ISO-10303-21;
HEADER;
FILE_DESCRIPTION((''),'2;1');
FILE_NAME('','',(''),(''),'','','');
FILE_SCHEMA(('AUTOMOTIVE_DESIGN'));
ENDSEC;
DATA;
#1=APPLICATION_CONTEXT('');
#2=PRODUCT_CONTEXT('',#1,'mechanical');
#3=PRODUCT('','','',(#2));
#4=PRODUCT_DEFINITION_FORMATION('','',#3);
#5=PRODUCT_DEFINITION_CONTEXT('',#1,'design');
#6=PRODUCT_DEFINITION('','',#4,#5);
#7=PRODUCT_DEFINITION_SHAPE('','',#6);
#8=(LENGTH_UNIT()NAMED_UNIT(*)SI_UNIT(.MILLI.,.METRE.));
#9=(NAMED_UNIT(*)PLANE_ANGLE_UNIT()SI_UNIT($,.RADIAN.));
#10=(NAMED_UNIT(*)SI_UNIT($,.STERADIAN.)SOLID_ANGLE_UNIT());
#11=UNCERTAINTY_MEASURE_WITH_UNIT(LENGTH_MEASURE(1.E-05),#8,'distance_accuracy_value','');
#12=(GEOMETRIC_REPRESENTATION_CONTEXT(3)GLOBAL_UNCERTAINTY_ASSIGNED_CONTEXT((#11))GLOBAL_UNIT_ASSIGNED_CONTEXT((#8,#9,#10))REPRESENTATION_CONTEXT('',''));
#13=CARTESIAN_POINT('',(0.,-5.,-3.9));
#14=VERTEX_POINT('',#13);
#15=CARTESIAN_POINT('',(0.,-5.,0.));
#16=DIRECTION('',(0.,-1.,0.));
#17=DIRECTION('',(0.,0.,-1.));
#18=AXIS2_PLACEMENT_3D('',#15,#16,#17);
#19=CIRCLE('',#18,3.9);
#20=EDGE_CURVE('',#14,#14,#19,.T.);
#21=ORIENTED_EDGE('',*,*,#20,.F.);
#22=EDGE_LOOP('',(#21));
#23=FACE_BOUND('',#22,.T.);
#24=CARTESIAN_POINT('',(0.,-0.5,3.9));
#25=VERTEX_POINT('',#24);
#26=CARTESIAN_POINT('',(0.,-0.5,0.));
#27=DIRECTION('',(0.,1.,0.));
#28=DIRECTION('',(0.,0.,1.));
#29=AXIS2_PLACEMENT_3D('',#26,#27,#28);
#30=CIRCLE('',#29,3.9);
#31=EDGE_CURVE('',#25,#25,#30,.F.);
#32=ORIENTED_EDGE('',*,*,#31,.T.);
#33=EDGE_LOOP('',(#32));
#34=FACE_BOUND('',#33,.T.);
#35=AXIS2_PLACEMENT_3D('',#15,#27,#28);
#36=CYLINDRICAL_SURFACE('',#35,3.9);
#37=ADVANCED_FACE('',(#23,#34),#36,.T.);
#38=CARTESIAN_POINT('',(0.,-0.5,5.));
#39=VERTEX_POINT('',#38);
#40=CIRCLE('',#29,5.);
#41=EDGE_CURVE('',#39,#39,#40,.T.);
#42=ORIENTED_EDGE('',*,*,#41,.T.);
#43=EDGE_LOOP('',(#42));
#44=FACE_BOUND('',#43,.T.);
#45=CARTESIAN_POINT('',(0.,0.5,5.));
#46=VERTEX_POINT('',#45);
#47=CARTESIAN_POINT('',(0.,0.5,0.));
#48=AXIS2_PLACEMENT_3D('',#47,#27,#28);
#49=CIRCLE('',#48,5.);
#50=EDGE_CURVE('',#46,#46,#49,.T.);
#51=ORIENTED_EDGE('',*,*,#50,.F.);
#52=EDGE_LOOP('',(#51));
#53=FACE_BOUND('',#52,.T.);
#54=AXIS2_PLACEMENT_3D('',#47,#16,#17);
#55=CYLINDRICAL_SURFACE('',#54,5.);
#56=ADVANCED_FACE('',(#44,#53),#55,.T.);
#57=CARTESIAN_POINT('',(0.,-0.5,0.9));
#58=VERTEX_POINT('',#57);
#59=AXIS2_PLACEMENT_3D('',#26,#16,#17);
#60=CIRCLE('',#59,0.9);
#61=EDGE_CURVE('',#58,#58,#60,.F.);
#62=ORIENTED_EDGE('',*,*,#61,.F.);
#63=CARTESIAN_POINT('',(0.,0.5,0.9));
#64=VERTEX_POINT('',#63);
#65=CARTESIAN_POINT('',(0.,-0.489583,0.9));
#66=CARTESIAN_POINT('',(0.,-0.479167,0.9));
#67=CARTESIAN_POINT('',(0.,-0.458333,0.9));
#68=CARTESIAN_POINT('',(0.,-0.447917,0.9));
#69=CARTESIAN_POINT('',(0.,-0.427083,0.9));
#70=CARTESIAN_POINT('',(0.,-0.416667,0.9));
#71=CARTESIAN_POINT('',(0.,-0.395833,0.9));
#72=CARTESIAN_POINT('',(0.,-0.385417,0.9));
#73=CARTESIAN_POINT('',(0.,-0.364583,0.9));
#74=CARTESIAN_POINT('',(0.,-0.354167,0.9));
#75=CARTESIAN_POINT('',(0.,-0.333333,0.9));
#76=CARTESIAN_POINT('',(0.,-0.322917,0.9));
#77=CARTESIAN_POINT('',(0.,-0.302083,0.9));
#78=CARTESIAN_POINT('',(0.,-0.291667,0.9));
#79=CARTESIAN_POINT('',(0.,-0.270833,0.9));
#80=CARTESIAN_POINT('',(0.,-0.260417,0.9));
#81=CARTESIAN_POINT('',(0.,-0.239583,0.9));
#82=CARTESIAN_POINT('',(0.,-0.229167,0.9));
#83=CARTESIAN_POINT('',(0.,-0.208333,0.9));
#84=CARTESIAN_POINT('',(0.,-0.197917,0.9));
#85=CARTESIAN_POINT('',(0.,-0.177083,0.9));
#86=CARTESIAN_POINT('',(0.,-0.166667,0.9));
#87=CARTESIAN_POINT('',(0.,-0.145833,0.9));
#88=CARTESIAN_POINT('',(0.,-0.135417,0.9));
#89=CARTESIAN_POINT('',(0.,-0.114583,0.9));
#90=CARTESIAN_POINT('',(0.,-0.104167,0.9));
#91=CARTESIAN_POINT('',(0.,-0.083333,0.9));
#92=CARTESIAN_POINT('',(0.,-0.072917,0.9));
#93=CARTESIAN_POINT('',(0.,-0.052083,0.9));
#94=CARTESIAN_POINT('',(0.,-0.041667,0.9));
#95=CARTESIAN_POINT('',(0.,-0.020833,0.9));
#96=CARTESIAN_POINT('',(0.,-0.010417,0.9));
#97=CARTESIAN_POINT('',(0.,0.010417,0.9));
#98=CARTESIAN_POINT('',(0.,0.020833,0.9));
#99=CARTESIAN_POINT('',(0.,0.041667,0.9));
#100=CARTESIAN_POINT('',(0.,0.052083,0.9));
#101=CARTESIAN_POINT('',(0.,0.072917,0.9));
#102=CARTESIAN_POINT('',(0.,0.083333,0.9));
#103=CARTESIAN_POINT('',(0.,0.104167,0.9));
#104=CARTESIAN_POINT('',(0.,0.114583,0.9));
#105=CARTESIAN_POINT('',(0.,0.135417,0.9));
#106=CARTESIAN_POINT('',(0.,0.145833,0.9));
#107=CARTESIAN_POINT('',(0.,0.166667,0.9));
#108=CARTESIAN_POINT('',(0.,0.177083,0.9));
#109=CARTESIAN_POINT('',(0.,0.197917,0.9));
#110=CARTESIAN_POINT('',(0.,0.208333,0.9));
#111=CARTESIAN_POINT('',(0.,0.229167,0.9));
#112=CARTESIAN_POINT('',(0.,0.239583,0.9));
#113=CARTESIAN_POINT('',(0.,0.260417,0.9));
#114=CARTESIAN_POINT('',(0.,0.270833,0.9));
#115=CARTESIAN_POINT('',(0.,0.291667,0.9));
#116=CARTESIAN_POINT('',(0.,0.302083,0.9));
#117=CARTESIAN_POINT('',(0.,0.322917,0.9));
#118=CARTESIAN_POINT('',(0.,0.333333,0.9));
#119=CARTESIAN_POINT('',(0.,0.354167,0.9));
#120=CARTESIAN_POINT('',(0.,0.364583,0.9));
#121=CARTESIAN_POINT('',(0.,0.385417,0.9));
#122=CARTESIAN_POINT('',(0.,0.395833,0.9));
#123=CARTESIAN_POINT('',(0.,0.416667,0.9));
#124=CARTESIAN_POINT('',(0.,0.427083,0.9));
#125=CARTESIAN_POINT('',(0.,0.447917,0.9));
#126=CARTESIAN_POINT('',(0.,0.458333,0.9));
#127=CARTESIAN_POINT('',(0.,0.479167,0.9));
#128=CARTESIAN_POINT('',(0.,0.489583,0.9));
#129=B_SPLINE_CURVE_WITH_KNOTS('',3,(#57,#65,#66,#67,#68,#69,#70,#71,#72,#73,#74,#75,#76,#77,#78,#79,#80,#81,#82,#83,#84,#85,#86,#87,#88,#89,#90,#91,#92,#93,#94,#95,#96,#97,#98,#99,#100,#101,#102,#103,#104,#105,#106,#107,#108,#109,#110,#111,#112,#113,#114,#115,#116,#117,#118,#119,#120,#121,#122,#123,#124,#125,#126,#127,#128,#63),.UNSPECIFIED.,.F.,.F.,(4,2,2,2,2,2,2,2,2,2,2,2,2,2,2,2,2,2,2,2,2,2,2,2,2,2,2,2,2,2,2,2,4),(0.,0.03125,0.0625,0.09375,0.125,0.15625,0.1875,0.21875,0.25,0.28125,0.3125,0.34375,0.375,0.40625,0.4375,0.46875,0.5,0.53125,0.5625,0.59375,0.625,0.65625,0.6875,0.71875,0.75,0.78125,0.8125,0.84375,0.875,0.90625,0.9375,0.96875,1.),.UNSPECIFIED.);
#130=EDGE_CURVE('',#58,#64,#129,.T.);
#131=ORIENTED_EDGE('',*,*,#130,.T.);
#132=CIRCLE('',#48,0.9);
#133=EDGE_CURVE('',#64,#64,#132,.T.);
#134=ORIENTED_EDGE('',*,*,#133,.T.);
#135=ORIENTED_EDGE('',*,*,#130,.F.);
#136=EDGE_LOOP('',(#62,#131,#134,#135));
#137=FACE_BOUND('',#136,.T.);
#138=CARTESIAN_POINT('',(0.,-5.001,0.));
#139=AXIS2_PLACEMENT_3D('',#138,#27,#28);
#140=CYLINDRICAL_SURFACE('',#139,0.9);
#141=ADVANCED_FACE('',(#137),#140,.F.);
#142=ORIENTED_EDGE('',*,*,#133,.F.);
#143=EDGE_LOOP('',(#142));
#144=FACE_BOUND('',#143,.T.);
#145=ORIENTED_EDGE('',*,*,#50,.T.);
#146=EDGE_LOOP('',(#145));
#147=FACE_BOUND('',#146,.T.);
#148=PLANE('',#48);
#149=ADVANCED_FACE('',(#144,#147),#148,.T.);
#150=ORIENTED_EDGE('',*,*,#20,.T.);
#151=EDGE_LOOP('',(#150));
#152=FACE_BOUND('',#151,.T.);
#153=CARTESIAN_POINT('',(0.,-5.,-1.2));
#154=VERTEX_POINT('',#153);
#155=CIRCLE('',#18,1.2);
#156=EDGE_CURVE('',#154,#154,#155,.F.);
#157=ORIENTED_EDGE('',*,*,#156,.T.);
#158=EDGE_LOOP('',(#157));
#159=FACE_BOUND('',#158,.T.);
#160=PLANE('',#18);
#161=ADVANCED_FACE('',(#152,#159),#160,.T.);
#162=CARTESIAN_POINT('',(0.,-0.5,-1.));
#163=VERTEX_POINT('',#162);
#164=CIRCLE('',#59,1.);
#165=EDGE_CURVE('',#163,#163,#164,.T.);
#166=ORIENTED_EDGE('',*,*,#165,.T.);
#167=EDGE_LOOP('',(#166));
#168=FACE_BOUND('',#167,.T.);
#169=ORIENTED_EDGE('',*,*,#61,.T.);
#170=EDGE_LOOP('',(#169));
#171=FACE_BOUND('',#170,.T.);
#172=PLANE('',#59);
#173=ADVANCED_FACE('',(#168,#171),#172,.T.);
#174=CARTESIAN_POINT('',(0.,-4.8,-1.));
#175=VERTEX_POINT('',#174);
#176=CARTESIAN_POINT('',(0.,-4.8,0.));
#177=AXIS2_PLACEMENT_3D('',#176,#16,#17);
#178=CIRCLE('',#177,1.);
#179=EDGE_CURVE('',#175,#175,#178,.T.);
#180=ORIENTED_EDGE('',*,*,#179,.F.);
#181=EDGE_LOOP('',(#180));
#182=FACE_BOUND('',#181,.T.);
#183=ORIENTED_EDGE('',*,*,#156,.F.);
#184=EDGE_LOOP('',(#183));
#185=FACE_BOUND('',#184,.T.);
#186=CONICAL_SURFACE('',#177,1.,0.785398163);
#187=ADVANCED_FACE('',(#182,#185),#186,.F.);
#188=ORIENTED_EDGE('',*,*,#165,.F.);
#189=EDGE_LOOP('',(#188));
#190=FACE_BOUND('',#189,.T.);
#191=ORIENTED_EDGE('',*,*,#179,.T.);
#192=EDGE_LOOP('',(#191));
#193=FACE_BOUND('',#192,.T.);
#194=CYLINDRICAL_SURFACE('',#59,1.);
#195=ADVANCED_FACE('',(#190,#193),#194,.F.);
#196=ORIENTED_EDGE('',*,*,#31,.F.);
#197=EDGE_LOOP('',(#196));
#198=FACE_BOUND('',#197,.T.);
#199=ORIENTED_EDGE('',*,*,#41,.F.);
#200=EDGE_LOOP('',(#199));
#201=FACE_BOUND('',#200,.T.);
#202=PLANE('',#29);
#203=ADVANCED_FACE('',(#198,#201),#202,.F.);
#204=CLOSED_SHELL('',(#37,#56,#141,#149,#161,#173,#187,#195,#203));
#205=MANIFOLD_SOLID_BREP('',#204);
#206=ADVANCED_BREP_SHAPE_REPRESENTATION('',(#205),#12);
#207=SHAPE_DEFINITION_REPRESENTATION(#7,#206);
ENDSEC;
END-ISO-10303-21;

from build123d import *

# Parameters (mm, degrees)
SKETCH1_R           = 5
BOSS_EXTRUDE1_DEPTH = 0.5
SKETCH2_R           = 3.9
BOSS_EXTRUDE2_DEPTH = 4.5
SKETCH4_R           = 1
CUT_EXTRUDE1_DEPTH  = 4.5
CUT_EXTRUDE2_REACH  = 10.958
SKETCH5_R           = 0.9
CHAMFER1_SIZE       = 0.2


with BuildPart() as part:
    # Sketch1 → Boss-Extrude1 (new, symmetric)
    with BuildSketch(Plane(origin=(0, 0, 0), x_dir=(1, 0, 0), z_dir=(0, 1, 0))):
        with Locations(Location((0, 0, 0), (0, 0, 270))):
            Circle(SKETCH1_R)
    extrude(amount=BOSS_EXTRUDE1_DEPTH, both=True)

    # Sketch2 → Boss-Extrude2 (add)
    with BuildSketch(Plane(origin=(0, -0.5, 0), x_dir=(-1, 0, 0), z_dir=(0, -1, 0))):
        with Locations(Location((0, 0, 0), (0, 0, 270))):
            Circle(SKETCH2_R)
    extrude(amount=BOSS_EXTRUDE2_DEPTH)

    # Sketch4 → Cut-Extrude1 (cut)
    with BuildSketch(Plane(origin=(0, -5, 0), x_dir=(-1, 0, 0), z_dir=(0, -1, 0))):
        with Locations(Location((0, 0, 0), (0, 0, 90))):
            Circle(SKETCH4_R)
    extrude(amount=-CUT_EXTRUDE1_DEPTH, mode=Mode.SUBTRACT)

    # Sketch5 → Cut-Extrude2 (cut, up to next)
    with BuildSketch(Plane(origin=(0, 0.5, 0), x_dir=(1, 0, 0), z_dir=(0, 1, 0)), mode=Mode.PRIVATE) as cut_extrude2_sk1:
        with Locations(Location((0, 0, 0), (0, 0, 270))):
            Circle(SKETCH5_R)
    cut_extrude2_tool1 = extrude(cut_extrude2_sk1.sketch, amount=-CUT_EXTRUDE2_REACH, mode=Mode.PRIVATE) & part.part
    add(cut_extrude2_tool1.solids().sort_by_distance((0, 0.5, 0))[0], mode=Mode.SUBTRACT)

    # Chamfer1
    chamfer1_edges = [part.edges().sort_by_distance(p)[0] for p in [
        (0, -5, 1),
    ]]
    chamfer(chamfer1_edges, length=CHAMFER1_SIZE)


solid = part.part
